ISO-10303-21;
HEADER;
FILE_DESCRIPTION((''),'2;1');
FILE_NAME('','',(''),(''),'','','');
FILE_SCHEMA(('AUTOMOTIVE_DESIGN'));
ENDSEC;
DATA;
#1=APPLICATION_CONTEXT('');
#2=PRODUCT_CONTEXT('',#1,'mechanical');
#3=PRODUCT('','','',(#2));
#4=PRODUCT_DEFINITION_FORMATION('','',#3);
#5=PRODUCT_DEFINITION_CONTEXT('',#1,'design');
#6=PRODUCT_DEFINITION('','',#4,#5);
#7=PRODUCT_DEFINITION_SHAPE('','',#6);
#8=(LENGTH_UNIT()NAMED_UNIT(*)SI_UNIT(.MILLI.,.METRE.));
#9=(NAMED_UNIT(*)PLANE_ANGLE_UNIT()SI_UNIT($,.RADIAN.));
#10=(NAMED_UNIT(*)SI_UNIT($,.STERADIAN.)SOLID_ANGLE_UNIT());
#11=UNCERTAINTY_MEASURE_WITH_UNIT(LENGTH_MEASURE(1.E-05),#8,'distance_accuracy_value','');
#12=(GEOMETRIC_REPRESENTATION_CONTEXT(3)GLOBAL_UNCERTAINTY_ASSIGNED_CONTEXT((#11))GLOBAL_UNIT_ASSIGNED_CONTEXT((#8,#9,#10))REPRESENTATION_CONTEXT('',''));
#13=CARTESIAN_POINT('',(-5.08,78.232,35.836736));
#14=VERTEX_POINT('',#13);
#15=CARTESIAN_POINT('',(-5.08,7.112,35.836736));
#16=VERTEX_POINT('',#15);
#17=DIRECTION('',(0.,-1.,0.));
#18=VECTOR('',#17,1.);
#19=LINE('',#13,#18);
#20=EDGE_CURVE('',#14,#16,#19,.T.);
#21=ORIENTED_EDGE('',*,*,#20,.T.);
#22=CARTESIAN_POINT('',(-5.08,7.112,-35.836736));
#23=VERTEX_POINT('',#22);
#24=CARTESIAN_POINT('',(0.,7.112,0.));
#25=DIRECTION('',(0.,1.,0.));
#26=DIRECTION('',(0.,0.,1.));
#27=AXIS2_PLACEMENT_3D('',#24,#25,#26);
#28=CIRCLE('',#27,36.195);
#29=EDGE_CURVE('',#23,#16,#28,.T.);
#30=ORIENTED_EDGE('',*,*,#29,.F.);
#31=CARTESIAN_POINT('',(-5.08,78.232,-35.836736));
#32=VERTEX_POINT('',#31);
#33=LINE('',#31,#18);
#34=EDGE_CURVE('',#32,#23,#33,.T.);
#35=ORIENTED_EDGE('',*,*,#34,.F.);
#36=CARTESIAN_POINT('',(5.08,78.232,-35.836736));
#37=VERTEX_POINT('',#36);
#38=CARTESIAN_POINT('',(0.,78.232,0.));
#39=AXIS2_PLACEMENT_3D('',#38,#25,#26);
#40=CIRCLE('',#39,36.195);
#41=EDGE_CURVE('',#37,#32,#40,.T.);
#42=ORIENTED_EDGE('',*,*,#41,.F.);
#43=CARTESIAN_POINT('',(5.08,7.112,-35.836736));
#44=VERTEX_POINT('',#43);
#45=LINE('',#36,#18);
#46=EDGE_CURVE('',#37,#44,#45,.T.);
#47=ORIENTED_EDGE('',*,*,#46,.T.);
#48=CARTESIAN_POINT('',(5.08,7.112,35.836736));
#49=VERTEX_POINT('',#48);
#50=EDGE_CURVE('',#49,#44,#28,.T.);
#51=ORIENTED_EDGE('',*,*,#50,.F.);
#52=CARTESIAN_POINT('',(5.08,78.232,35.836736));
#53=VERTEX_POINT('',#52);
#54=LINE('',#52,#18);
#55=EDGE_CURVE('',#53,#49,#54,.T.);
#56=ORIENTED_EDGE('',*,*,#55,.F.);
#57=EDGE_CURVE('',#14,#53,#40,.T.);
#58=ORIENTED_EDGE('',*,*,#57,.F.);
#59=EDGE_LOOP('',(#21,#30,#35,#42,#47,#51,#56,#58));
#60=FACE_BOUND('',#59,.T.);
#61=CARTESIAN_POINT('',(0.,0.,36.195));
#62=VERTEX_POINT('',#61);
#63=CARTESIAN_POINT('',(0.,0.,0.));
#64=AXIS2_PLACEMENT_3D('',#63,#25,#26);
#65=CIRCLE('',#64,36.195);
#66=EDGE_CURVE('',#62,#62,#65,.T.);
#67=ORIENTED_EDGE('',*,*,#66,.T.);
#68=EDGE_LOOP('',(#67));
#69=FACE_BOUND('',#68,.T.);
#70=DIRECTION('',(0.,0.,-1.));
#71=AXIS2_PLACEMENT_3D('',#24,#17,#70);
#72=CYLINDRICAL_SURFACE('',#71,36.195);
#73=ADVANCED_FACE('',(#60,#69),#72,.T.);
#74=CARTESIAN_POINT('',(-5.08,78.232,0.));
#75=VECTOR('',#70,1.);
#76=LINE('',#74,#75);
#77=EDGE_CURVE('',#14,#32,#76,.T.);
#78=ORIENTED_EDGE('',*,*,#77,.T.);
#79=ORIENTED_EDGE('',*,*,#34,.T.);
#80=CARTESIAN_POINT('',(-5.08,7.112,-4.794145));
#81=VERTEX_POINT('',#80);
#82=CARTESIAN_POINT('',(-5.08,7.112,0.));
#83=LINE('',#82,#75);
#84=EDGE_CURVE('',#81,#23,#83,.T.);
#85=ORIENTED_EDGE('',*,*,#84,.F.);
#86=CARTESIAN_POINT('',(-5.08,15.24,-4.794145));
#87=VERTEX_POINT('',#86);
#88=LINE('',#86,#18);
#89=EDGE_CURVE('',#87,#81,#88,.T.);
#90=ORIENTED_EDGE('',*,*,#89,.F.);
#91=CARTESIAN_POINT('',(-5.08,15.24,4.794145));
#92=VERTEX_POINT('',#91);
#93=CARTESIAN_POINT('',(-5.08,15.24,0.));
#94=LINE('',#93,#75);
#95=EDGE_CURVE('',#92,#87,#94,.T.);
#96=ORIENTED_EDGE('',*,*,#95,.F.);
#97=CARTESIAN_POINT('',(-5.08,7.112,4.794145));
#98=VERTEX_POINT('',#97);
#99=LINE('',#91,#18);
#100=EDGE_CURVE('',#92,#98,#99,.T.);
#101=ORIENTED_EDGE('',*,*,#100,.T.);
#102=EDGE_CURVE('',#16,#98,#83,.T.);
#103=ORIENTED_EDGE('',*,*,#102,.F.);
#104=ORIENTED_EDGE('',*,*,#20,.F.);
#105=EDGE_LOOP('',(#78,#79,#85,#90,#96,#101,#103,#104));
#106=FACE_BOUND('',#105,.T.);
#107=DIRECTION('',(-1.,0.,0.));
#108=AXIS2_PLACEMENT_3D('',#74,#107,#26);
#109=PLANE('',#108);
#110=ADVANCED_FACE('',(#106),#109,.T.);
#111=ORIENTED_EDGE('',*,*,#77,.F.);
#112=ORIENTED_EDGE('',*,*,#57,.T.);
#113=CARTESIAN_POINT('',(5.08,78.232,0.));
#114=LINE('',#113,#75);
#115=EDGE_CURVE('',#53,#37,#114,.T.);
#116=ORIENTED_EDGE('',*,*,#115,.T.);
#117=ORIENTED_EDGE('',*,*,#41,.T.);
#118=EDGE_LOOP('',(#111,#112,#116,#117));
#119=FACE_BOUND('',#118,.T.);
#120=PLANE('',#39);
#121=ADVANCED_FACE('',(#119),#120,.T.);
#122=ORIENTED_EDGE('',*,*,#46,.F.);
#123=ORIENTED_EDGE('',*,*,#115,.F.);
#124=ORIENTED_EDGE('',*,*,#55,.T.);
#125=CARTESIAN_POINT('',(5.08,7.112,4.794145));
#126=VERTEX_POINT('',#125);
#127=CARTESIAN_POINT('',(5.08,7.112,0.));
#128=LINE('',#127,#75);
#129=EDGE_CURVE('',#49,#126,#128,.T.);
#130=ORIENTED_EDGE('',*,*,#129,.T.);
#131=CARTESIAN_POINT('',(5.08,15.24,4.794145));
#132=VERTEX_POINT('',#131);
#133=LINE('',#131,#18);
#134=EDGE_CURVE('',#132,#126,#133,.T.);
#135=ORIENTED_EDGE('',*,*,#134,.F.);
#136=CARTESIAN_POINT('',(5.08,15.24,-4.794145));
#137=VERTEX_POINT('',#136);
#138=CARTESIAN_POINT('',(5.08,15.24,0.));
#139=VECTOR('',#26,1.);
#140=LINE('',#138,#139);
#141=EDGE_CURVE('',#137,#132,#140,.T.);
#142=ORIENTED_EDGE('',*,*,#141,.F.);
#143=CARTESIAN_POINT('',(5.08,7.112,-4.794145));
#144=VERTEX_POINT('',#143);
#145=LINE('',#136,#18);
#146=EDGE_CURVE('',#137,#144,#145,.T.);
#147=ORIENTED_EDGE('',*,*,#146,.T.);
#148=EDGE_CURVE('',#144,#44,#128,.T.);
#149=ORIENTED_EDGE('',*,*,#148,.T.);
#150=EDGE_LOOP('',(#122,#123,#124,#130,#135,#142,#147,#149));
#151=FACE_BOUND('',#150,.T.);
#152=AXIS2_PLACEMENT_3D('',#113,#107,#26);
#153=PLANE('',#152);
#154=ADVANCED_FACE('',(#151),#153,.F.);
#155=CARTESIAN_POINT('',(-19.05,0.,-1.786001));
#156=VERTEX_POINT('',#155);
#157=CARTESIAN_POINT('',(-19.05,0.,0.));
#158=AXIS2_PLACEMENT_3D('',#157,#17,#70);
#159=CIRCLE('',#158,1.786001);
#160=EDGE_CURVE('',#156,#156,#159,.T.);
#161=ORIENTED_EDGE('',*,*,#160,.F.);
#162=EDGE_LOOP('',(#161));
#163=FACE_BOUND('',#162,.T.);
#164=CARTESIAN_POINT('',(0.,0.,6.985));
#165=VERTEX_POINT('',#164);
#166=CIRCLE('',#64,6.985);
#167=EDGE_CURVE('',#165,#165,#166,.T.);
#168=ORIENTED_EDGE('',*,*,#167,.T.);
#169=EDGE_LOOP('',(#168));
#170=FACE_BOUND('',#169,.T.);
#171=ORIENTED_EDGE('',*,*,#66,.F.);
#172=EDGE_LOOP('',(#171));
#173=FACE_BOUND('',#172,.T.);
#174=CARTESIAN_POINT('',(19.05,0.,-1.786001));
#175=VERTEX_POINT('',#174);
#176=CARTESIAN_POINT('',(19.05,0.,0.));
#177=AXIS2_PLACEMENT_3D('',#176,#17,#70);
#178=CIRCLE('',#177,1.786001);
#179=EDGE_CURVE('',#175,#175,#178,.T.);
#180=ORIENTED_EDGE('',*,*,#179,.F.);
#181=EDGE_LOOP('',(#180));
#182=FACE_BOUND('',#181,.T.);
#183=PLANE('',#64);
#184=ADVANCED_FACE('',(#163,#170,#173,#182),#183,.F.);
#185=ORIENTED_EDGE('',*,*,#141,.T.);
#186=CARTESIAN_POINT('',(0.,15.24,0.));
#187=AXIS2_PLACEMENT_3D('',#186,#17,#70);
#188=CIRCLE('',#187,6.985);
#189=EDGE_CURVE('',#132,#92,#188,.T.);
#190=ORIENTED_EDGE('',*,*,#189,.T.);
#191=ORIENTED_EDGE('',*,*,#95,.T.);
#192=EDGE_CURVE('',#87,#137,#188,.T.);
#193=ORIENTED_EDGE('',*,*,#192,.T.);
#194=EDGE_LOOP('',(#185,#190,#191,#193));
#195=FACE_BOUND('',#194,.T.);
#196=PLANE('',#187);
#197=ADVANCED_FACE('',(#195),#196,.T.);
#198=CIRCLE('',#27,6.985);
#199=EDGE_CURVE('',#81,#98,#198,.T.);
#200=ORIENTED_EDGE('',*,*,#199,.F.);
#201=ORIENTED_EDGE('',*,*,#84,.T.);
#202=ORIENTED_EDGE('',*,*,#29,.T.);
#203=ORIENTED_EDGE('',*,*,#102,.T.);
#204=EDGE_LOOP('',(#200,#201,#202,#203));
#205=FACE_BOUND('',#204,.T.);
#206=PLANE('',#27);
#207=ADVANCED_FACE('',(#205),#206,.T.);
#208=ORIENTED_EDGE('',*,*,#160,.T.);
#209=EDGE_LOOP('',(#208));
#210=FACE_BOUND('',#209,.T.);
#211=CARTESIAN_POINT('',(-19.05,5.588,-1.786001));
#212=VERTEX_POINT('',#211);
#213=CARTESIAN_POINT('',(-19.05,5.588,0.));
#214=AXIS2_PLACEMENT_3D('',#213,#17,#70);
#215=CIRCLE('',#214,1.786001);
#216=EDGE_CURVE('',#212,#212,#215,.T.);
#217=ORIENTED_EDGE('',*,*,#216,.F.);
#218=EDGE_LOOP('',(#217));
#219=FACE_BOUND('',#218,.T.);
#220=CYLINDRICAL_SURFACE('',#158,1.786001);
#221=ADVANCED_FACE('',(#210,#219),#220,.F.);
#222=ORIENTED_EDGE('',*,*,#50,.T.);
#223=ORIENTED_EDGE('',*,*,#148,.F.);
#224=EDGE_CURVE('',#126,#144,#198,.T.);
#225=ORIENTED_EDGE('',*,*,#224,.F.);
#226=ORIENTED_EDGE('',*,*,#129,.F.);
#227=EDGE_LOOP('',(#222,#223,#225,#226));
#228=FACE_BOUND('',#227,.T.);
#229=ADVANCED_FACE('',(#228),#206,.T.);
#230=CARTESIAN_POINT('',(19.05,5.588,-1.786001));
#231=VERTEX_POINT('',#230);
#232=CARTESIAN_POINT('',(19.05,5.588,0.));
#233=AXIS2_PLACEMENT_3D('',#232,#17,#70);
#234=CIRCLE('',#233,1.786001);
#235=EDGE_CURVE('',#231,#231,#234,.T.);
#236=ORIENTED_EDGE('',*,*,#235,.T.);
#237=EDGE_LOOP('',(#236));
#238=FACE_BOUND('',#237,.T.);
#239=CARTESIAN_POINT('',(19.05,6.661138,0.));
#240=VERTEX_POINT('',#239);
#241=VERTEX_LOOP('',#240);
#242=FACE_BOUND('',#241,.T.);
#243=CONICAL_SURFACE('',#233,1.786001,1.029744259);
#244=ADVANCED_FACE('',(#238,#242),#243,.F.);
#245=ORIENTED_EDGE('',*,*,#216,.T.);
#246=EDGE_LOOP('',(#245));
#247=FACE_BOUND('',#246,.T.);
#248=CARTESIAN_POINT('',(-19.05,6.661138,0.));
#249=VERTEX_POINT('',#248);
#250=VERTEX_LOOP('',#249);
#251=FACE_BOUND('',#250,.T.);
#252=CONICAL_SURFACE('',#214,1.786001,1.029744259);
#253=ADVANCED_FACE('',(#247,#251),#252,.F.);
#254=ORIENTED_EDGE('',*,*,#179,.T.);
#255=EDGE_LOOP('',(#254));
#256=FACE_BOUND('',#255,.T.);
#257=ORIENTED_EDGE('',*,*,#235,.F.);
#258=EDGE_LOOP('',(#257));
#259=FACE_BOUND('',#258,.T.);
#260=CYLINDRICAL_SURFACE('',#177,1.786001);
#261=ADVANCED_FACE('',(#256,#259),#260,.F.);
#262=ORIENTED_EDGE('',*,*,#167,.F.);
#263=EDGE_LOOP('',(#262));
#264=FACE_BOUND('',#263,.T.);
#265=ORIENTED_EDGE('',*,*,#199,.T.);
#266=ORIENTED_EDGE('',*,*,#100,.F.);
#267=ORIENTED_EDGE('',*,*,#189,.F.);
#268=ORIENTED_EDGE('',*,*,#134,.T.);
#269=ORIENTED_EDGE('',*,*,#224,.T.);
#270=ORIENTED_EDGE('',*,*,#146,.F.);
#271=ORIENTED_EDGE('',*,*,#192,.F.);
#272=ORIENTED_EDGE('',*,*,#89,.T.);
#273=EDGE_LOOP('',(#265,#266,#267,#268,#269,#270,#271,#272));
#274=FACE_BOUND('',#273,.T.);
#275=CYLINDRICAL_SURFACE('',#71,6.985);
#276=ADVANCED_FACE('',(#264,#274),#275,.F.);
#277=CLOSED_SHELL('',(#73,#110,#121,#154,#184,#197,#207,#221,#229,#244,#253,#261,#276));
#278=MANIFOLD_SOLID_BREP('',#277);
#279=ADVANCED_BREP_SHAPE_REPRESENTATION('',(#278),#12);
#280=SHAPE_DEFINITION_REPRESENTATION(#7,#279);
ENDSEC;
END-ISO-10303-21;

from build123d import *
from build123d.topology import SkipClean

# Parameters (mm, degrees)
SKETCH1_R                           = 36.195
SKETCH1_R_2                         = 6.985
BOSS_EXTRUDE1_DEPTH                 = 7.112
BOSS_EXTRUDE2_DEPTH                 = 71.12
CUT_EXTRUDE1_DEPTH                  = 8.128
F_9_64_0_14063_DIAMETER_HOLE2_D     = 3.572002
F_9_64_0_14063_DIAMETER_HOLE2_DEPTH = 5.588
F_9_64_0_14063_DIAMETER_HOLE2_TIP   = 1.073137666


with BuildPart() as part:
    # Sketch1 → Boss-Extrude1 (new body)
    with BuildSketch(Plane(origin=(0, 0, 0), x_dir=(1, 0, 0), z_dir=(0, 1, 0))):
        with Locations(Location((0, 0, 0), (0, 0, 270))):
            Circle(SKETCH1_R)
        with Locations(Location((0, 0, 0), (0, 0, 270))):
            Circle(SKETCH1_R_2, mode=Mode.SUBTRACT)
    extrude(amount=BOSS_EXTRUDE1_DEPTH)

    # Sketch7 → Boss-Extrude2 (add)
    with BuildSketch(Plane(origin=(0, 7.112, 0), x_dir=(1, 0, 0), z_dir=(0, 1, 0))):
        with BuildLine():
            ThreePointArc((5.08, -4.794144866), (0, -6.985), (-5.08, -4.794144866))
            Line((-5.08, -4.794144866), (-5.08, -35.836735691))
            ThreePointArc((-5.08, -35.836735691), (0, -36.195), (5.08, -35.836735691))
            Line((5.08, -35.836735691), (5.08, -4.794144866))
        make_face()
        with BuildLine():
            Line((-5.08, 35.836735691), (-5.08, 4.794144866))
            ThreePointArc((-5.08, 4.794144866), (0, 6.985), (5.08, 4.794144866))
            Line((5.08, 4.794144866), (5.08, 35.836735691))
            ThreePointArc((5.08, 35.836735691), (0, 36.195), (-5.08, 35.836735691))
        make_face()
        with BuildLine():
            Line((-5.08, 4.794144866), (-5.08, 0))
            Line((-5.08, 0), (5.08, 0))
            Line((5.08, 0), (5.08, 4.794144866))
            ThreePointArc((5.08, 4.794144866), (0, 6.985), (-5.08, 4.794144866))
        make_face()
        with BuildLine():
            Line((5.08, 0), (-5.08, 0))
            Line((-5.08, 0), (-5.08, -4.794144866))
            ThreePointArc((-5.08, -4.794144866), (0, -6.985), (5.08, -4.794144866))
            Line((5.08, -4.794144866), (5.08, 0))
        make_face()
    extrude(amount=BOSS_EXTRUDE2_DEPTH)

    # Sketch11 → Cut-Extrude1 (cut)
    with SkipClean():  # the faces are left unmerged after this step: merging them gives an invalid solid
        with BuildSketch(Plane.XZ.offset(-7.112)):
            with BuildLine():
                Line((-5.08, 4.794144866), (-5.08, -4.794144866))
                ThreePointArc((-5.08, -4.794144866), (0, -6.985), (5.08, -4.794144866))
                Line((5.08, -4.794144866), (5.08, 4.794144866))
                ThreePointArc((5.08, 4.794144866), (0, 6.985), (-5.08, 4.794144866))
            make_face()
        extrude(amount=-CUT_EXTRUDE1_DEPTH, mode=Mode.SUBTRACT)

    # 9/64 (0.14063) Diameter Hole2
    with Locations(Plane(origin=(0, 0, 0), x_dir=(-1, 0, 0), z_dir=(0, -1, 0))):
        with Locations((-19.05, 0), (19.05, 0)):
            Hole(F_9_64_0_14063_DIAMETER_HOLE2_D / 2, depth=F_9_64_0_14063_DIAMETER_HOLE2_DEPTH)
            with Locations((0, 0, -(F_9_64_0_14063_DIAMETER_HOLE2_DEPTH + F_9_64_0_14063_DIAMETER_HOLE2_TIP / 2))):  # 118° drill point
                Cone(0, F_9_64_0_14063_DIAMETER_HOLE2_D / 2, F_9_64_0_14063_DIAMETER_HOLE2_TIP, mode=Mode.SUBTRACT)


solid = part.part
